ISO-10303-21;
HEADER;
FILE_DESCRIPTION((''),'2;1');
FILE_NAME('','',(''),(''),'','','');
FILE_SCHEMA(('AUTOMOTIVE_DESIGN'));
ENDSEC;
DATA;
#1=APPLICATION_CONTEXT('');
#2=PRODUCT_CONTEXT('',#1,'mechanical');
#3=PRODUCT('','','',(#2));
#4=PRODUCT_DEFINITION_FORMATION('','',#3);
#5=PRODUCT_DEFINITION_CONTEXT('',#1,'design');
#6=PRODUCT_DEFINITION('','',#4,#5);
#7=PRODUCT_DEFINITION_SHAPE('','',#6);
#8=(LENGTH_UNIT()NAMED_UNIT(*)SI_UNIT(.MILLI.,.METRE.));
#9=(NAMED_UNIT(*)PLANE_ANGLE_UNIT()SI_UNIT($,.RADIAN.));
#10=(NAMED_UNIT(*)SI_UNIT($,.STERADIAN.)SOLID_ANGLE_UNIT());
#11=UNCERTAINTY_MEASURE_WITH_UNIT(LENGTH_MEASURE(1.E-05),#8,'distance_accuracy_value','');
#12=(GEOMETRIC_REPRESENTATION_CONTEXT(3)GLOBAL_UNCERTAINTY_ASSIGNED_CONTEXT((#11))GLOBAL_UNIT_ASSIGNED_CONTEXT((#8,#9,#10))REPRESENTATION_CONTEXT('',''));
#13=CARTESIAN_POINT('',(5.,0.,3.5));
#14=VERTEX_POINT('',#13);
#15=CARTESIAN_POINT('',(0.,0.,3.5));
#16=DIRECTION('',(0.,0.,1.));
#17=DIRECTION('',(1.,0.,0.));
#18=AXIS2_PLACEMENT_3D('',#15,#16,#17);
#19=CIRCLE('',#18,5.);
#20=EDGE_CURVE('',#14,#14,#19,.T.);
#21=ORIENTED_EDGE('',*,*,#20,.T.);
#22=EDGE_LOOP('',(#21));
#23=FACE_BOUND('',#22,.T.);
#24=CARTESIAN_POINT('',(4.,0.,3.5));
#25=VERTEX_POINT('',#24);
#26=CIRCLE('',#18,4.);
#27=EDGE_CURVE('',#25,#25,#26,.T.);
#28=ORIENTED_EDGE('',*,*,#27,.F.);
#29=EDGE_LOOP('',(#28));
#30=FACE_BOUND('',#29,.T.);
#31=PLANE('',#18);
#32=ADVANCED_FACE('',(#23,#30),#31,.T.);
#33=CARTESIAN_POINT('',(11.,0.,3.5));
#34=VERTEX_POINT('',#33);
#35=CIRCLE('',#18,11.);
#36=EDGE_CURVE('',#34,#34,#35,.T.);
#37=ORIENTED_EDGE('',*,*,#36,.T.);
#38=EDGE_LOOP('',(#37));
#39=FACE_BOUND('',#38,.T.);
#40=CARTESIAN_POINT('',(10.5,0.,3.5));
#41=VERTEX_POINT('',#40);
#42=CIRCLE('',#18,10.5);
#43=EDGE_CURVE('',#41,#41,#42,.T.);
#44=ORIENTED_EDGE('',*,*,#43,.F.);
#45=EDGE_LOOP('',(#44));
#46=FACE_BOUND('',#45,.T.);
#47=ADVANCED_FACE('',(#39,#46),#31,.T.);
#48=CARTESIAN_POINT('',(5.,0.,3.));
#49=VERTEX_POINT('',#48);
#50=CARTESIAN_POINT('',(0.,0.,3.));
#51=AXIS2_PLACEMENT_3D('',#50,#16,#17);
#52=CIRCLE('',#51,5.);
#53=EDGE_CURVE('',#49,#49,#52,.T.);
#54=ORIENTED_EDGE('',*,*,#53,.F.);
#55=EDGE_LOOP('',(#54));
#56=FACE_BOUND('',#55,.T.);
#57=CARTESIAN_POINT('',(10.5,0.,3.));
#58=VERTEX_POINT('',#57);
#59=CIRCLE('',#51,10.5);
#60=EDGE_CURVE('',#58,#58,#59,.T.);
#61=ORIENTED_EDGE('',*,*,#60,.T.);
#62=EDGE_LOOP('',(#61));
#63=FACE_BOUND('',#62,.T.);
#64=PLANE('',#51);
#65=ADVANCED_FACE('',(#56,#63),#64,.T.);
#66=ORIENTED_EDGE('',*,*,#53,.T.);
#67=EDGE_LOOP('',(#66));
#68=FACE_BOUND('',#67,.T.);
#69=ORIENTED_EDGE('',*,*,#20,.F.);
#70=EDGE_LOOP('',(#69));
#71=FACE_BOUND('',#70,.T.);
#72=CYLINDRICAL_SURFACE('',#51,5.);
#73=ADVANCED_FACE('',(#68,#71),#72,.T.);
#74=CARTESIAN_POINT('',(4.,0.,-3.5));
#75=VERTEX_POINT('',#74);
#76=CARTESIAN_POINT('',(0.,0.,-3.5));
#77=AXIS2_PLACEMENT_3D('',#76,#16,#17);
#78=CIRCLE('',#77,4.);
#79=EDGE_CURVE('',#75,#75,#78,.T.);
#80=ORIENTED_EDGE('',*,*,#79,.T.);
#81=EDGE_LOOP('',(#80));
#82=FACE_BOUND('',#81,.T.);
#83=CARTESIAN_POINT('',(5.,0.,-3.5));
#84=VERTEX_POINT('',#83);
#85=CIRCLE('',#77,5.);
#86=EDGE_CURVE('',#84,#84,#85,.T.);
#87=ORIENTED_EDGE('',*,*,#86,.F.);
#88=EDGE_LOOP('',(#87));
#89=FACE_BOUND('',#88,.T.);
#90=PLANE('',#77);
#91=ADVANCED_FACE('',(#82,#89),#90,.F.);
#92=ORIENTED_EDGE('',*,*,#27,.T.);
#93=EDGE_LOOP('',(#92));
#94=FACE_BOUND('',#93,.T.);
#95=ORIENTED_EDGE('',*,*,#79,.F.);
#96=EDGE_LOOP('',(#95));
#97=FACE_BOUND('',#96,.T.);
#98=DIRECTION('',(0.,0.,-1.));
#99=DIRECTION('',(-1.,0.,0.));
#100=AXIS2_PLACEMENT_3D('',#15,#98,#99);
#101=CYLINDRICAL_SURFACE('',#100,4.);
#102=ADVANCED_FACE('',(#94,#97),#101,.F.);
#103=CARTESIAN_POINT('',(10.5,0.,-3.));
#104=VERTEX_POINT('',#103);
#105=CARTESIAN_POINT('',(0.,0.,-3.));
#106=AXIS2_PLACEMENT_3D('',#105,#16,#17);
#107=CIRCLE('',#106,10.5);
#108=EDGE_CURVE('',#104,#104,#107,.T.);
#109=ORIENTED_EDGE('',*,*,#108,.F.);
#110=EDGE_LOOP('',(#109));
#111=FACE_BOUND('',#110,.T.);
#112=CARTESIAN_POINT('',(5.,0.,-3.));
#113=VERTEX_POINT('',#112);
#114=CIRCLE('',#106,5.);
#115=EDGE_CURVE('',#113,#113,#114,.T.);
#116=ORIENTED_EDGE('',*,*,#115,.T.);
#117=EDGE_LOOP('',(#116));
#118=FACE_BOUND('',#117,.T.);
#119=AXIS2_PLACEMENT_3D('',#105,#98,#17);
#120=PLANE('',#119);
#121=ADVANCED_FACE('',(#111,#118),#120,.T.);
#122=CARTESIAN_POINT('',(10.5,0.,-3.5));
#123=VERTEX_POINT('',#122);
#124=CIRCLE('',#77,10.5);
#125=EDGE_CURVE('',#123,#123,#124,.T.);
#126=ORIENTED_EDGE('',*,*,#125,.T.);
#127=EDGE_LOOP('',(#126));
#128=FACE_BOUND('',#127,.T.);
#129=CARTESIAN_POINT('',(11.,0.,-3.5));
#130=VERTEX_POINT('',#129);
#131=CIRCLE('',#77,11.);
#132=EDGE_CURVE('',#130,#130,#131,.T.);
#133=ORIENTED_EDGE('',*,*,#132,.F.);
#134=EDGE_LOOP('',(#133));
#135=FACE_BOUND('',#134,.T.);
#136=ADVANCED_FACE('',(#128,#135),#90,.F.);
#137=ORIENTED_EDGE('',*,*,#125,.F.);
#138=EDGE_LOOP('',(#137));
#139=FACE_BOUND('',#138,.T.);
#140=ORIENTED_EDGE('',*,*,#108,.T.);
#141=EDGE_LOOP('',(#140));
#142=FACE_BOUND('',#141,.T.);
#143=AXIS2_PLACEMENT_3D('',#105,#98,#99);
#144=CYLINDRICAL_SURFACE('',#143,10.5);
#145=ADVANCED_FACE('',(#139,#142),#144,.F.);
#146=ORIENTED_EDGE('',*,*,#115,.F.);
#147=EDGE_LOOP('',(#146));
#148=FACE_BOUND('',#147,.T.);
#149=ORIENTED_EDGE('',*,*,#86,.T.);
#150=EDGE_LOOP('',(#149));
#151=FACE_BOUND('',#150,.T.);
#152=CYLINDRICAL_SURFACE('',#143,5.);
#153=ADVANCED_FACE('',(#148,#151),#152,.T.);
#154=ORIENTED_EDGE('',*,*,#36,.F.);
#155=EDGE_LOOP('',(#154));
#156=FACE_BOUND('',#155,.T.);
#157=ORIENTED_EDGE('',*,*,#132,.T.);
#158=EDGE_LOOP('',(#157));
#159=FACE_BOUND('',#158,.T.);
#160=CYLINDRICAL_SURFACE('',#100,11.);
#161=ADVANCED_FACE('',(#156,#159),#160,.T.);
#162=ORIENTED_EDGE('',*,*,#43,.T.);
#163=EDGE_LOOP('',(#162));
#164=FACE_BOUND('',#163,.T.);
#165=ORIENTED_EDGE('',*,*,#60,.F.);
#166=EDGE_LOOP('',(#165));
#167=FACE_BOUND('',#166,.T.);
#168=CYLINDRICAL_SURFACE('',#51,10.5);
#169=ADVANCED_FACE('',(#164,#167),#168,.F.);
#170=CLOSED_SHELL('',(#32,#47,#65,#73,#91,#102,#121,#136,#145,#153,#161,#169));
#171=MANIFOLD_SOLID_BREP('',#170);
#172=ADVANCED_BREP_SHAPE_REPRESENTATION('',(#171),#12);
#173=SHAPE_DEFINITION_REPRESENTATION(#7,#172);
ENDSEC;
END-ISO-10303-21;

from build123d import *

# Parameters (mm, degrees)
SKETCH1_R           = 11
SKETCH1_R_2         = 4
BOSS_EXTRUDE1_DEPTH = 3.5
SKETCH2_R           = 10.5
SKETCH2_R_2         = 5
CUT_EXTRUDE1_DEPTH  = 0.5


with BuildPart() as part:
    # Sketch1 → Boss-Extrude1 (new, symmetric)
    with BuildSketch(Plane.XY):
        Circle(SKETCH1_R)
        Circle(SKETCH1_R_2, mode=Mode.SUBTRACT)
    extrude(amount=BOSS_EXTRUDE1_DEPTH, both=True)

    # Sketch2 → Cut-Extrude1 (cut)
    with BuildSketch(Plane.XY.offset(3.5)):
        Circle(SKETCH2_R)
        Circle(SKETCH2_R_2, mode=Mode.SUBTRACT)
    cut_extrude1 = extrude(amount=-CUT_EXTRUDE1_DEPTH, mode=Mode.SUBTRACT)

    # Mirror1: Cut-Extrude1 across plane
    add(cut_extrude1.mirror(Plane.XY), mode=Mode.SUBTRACT)


solid = part.part
